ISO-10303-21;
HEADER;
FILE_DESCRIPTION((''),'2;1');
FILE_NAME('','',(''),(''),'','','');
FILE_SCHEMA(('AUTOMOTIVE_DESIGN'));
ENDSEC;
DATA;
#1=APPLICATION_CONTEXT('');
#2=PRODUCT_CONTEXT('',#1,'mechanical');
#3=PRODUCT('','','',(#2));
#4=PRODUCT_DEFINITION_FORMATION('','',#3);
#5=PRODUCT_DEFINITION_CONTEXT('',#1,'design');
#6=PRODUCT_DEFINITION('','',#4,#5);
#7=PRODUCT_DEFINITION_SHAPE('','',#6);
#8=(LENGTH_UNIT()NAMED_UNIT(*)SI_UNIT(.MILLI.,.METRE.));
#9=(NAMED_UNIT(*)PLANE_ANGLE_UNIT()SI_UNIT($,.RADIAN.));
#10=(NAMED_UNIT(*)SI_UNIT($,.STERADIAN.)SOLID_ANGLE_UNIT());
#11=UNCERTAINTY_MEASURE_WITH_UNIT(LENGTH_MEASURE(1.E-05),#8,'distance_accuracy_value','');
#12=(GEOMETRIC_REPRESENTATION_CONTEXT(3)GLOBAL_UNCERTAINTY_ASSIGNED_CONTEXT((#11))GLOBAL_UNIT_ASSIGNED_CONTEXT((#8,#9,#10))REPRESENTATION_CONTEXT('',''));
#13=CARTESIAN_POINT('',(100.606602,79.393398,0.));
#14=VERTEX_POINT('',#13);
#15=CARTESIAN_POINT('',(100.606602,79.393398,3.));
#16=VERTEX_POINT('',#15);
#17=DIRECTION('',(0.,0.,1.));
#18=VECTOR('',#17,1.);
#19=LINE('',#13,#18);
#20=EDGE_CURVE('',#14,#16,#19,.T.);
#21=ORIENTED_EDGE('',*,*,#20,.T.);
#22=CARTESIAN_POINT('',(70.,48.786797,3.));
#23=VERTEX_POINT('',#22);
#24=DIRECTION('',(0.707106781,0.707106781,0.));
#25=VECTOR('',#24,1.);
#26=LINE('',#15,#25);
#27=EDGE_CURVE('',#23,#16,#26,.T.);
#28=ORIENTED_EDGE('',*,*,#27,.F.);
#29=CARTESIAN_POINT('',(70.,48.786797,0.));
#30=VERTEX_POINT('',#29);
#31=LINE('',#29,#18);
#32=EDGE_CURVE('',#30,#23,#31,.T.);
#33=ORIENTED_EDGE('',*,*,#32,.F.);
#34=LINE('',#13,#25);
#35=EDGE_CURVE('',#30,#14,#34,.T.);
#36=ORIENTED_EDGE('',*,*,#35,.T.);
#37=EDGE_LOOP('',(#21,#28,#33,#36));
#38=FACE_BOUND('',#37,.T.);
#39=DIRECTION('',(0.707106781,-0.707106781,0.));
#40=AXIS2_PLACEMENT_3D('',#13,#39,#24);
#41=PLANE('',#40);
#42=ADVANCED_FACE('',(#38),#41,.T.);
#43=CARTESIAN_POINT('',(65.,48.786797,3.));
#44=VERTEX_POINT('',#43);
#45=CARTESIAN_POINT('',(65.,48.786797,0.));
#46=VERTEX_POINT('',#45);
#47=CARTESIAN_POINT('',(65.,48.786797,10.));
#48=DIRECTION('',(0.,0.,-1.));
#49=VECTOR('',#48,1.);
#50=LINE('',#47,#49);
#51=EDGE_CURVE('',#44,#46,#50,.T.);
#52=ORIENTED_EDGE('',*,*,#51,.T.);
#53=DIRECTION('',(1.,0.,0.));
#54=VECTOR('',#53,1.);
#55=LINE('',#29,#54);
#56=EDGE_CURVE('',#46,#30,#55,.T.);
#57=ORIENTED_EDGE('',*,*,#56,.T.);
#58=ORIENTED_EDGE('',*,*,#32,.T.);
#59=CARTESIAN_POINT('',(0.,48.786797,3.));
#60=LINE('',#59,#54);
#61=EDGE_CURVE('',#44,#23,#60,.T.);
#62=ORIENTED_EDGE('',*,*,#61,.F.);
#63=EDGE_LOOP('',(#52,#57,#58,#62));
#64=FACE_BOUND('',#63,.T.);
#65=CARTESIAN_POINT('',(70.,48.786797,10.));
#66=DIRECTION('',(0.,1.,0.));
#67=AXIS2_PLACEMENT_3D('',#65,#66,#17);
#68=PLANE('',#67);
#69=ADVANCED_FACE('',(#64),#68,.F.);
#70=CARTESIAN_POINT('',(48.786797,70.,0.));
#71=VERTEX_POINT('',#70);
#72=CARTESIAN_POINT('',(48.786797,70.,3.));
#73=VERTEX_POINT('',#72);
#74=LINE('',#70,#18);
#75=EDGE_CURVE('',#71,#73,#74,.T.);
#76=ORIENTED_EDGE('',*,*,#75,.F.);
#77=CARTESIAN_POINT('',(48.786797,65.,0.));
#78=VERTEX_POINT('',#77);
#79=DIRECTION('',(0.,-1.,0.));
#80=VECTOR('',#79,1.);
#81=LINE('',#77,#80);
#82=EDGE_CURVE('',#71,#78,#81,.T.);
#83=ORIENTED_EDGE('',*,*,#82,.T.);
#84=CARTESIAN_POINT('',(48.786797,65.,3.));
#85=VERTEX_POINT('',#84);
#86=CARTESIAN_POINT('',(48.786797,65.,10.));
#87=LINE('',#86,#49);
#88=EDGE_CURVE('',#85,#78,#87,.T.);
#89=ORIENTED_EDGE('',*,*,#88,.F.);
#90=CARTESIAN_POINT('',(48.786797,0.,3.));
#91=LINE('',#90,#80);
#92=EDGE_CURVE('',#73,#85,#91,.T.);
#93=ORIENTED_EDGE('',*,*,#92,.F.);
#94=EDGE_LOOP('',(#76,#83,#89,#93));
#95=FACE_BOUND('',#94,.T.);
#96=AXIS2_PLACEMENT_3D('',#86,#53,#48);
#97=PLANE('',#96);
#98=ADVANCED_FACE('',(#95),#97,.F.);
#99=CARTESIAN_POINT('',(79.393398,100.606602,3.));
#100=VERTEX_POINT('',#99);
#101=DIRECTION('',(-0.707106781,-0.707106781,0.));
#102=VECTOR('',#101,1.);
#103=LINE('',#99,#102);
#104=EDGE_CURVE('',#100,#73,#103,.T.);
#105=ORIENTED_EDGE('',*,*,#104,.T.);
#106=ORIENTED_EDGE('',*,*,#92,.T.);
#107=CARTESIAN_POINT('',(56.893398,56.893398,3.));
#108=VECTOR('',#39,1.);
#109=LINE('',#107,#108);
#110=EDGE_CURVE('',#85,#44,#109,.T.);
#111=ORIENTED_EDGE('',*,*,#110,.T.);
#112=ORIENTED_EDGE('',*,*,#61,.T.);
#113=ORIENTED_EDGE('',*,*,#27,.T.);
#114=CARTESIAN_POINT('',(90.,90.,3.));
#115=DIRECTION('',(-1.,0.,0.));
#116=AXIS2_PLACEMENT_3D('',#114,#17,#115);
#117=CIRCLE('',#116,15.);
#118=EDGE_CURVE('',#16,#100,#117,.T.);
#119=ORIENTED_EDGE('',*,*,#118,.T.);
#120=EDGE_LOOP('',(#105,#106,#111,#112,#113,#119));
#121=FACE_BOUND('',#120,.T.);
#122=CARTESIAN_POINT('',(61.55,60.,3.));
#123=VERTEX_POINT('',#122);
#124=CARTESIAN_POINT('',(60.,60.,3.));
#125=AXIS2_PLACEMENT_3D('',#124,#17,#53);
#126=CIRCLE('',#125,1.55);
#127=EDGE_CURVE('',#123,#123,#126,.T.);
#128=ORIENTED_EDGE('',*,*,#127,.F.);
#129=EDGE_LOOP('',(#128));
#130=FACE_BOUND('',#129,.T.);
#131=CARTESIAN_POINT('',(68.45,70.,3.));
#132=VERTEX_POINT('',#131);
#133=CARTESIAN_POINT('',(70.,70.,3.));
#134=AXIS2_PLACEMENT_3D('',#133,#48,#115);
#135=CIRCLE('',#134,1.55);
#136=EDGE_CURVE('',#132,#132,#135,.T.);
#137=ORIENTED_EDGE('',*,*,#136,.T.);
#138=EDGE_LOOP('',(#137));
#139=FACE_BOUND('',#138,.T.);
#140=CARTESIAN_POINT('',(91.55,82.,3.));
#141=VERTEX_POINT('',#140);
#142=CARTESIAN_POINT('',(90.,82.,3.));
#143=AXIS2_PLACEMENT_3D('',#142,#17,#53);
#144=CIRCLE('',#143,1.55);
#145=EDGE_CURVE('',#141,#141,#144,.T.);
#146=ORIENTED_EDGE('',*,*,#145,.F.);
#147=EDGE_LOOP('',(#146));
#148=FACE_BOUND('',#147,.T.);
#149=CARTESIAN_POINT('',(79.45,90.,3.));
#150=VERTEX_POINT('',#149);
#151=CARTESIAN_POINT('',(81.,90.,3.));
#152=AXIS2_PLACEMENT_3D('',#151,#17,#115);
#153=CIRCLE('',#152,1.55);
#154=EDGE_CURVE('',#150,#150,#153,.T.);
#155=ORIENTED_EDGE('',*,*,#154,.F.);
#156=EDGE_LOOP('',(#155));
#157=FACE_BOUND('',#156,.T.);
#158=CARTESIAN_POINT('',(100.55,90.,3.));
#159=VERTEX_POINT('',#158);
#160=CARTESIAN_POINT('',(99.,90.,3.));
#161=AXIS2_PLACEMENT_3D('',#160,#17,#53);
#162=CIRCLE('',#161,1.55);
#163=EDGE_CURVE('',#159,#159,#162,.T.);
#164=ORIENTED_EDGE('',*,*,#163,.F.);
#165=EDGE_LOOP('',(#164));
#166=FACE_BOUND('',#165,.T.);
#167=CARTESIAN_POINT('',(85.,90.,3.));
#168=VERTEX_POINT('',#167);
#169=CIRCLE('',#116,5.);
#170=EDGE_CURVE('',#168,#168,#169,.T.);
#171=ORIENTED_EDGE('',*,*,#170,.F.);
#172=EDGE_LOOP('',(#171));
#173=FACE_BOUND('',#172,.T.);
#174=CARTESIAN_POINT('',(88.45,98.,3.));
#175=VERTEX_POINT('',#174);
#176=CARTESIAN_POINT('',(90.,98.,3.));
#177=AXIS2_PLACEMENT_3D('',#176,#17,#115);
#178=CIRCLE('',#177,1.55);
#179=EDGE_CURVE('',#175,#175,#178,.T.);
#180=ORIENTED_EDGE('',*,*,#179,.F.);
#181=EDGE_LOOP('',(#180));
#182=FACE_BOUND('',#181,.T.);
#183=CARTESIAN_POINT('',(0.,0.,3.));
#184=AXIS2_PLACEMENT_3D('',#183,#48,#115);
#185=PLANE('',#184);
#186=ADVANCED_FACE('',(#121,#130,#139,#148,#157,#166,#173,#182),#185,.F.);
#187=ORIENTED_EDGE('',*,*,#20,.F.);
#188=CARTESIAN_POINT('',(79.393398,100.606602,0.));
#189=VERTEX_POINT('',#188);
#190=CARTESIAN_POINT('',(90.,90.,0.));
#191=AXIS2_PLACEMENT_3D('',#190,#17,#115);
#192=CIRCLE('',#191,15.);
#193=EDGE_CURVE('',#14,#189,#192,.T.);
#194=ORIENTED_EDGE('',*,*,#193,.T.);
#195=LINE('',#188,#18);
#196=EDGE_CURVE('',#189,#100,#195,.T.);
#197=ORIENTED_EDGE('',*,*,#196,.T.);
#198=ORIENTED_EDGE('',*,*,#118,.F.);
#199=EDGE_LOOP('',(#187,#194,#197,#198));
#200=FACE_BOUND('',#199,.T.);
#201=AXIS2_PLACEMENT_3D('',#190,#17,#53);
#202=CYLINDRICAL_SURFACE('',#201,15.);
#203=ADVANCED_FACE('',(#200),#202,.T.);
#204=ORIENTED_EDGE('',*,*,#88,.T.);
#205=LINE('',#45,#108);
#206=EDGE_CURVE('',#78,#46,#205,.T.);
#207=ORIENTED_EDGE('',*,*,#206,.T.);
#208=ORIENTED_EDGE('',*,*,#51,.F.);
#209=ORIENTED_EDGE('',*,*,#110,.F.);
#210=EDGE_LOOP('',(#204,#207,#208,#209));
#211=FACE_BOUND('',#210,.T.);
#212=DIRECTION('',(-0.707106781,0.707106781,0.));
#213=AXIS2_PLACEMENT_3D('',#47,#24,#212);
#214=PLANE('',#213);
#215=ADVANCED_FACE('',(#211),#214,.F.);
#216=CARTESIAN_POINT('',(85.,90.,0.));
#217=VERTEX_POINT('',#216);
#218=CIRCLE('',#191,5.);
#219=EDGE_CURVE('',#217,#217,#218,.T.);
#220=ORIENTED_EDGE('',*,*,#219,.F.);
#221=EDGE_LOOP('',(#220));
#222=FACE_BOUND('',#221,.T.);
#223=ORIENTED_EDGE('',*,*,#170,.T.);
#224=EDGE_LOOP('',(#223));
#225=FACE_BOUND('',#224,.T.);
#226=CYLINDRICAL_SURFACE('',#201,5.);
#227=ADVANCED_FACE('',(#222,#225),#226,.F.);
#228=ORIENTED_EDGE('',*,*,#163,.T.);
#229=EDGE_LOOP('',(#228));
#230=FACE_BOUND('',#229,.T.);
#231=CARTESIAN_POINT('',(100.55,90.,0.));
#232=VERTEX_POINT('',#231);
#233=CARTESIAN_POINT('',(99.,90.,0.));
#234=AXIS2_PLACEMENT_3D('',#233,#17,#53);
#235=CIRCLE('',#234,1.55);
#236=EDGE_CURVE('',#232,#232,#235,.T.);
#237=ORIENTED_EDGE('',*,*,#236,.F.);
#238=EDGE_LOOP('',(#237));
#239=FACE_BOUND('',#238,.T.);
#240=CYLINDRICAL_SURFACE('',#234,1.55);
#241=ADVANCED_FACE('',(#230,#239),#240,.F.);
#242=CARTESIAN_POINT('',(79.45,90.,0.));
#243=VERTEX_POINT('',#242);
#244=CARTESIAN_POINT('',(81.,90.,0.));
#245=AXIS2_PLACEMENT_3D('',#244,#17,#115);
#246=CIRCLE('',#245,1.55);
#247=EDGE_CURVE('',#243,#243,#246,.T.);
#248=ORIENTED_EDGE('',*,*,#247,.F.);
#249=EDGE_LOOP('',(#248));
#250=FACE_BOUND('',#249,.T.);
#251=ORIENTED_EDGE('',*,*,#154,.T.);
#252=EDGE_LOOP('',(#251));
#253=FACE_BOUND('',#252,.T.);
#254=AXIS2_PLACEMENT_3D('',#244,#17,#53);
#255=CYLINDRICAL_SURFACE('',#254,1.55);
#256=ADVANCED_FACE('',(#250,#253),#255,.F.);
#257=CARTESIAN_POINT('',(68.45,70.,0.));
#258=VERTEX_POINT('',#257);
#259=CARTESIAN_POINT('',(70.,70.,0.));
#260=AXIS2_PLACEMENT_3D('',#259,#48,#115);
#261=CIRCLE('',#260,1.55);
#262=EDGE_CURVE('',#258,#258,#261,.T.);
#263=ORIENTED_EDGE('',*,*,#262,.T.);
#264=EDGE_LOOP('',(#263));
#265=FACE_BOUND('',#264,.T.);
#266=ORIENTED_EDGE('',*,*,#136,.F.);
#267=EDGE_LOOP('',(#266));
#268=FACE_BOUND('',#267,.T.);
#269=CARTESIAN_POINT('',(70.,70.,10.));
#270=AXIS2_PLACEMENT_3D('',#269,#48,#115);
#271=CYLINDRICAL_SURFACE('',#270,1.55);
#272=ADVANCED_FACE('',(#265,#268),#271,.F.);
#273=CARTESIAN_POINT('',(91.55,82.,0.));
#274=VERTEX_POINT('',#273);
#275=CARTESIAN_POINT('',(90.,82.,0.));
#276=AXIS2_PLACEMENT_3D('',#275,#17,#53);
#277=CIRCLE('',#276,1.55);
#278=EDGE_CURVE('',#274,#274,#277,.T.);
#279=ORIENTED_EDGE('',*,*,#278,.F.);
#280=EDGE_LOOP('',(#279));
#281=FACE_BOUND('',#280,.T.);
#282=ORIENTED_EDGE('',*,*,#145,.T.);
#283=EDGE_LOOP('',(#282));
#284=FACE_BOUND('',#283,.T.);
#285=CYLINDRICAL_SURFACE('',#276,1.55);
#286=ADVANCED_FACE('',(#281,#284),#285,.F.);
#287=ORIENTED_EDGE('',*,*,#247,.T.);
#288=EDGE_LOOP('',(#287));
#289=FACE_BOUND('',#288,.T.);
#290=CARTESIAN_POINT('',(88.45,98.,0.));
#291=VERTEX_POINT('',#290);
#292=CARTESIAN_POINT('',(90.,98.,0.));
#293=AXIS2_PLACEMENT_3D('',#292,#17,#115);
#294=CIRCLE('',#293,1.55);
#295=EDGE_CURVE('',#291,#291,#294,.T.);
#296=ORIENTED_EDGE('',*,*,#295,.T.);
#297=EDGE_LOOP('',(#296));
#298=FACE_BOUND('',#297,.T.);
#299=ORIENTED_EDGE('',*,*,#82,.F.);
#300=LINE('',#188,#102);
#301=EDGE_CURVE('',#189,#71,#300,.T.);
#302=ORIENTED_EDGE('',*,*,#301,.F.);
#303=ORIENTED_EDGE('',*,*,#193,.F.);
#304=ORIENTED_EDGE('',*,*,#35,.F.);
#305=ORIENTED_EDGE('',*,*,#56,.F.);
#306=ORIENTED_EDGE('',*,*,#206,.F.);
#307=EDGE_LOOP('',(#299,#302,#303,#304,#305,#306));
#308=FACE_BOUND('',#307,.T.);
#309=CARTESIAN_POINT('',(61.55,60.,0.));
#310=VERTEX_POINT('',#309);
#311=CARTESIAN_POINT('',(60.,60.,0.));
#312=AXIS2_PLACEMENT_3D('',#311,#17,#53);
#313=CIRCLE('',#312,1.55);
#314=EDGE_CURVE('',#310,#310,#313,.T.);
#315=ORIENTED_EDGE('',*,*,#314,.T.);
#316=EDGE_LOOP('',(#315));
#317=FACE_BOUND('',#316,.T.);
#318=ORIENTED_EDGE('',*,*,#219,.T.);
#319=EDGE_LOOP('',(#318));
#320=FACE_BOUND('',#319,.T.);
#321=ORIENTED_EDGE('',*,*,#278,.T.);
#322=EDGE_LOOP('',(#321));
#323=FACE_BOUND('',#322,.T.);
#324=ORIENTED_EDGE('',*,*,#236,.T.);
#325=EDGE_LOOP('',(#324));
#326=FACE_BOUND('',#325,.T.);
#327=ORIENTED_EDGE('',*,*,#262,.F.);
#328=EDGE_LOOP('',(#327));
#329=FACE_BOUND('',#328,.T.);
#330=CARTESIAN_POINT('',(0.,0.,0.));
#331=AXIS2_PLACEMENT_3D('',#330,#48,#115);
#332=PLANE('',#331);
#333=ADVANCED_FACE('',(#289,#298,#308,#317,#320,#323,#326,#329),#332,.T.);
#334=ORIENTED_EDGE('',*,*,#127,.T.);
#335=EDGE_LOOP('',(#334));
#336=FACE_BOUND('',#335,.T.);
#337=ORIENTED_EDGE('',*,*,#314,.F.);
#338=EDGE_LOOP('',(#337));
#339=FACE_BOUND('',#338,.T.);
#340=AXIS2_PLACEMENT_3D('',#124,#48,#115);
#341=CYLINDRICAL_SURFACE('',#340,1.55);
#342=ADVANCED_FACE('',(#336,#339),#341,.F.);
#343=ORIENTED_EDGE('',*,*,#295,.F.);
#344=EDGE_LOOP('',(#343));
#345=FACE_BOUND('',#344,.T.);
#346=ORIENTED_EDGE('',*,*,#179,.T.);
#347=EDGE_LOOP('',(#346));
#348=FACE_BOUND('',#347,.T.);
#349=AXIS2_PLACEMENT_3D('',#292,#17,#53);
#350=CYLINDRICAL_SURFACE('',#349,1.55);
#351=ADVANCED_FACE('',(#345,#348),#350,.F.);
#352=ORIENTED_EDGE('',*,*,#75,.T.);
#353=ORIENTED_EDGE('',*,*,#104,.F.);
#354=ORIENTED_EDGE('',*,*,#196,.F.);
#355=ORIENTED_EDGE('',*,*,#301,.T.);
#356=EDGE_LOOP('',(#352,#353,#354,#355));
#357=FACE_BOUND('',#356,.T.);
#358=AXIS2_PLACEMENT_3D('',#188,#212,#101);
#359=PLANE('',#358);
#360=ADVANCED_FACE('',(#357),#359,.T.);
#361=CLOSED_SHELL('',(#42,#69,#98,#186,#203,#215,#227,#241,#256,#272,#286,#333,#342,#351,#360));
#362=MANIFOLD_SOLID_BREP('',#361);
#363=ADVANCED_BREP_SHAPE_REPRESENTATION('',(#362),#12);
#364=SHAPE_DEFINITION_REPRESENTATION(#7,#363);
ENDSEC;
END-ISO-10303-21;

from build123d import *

# Parameters (mm, degrees)
SKETCH_1_W          = 140
SKETCH_1_H          = 140
SKETCH_1_R          = 1.55
EXTRUDE_1_DEPTH     = 3
SKETCH_2_R          = 1.55
SKETCH_2_W          = 3
SKETCH_2_H          = 25
CUT_EXTRUDE_1_DEPTH = 100.040395799
SKETCH_3_R          = 5
SKETCH_3_R_2        = 1.55
EXTRUDE_2_DEPTH     = 3
CUT_EXTRUDE_START   = -10
SKETCH_4_R          = 1.55
CUT_EXTRUDE_2_DEPTH = 10


with BuildPart() as part:
    # 草圖1 → 填料-伸長1 (new body)
    with BuildSketch(Plane.XY):
        Rectangle(SKETCH_1_W, SKETCH_1_H)
        with Locations((-60, 60)):
            Circle(SKETCH_1_R, mode=Mode.SUBTRACT)
        with Locations((60, 60)):
            Circle(SKETCH_1_R, mode=Mode.SUBTRACT)
        with Locations((60, -60)):
            Circle(SKETCH_1_R, mode=Mode.SUBTRACT)
        with Locations((-60, -60)):
            Circle(SKETCH_1_R, mode=Mode.SUBTRACT)
    extrude(amount=EXTRUDE_1_DEPTH)

    # 草圖2 → 除料-伸長1 (cut, through all)
    with BuildSketch(Plane.XY.offset(3)):
        with Locations((-12.25, 62.5)):
            Circle(SKETCH_2_R)
        with Locations((12.25, 62.5)):
            Circle(SKETCH_2_R)
        with Locations((-12.25, 7.5)):
            Circle(SKETCH_2_R)
        with Locations((12.25, 7.5)):
            Circle(SKETCH_2_R)
        with Locations((-60, -30)):
            Rectangle(SKETCH_2_W, SKETCH_2_H)
        with Locations((-60, 30)):
            Rectangle(SKETCH_2_W, SKETCH_2_H)
        with Locations((-20, -30)):
            Rectangle(SKETCH_2_W, SKETCH_2_H)
        with Locations((-20, 30)):
            Rectangle(SKETCH_2_W, SKETCH_2_H)
        with Locations((20, 30)):
            Rectangle(SKETCH_2_W, SKETCH_2_H)
        with Locations((20, -30)):
            Rectangle(SKETCH_2_W, SKETCH_2_H)
        with Locations((60, -30)):
            Rectangle(SKETCH_2_W, SKETCH_2_H)
        with Locations((60, 30)):
            Rectangle(SKETCH_2_W, SKETCH_2_H)
    extrude(amount=-CUT_EXTRUDE_1_DEPTH, mode=Mode.SUBTRACT)

    # 草圖3 → 填料-伸長2 (add)
    # profile 1 of 4: a face of its own
    with BuildSketch(Plane.XY.offset(3)):
        with BuildLine():
            Line((-79.393398282, 100.606601718), (-48.786796564, 70))
            Line((-48.786796564, 70), (-70, 70))
            Line((-70, 70), (-70, 48.786796564))
            Line((-70, 48.786796564), (-100.606601718, 79.393398282))
            ThreePointArc((-100.606601718, 79.393398282), (-100.606601718, 100.606601718), (-79.393398282, 100.606601718))
        make_face()
        with Locations((-90, 90)):
            Circle(SKETCH_3_R, mode=Mode.SUBTRACT)
        with Locations((-81, 90)):
            Circle(SKETCH_3_R_2, mode=Mode.SUBTRACT)
        with Locations((-90, 98)):
            Circle(SKETCH_3_R_2, mode=Mode.SUBTRACT)
        with Locations(Location((-99, 90, 0), (0, 0, 180))):
            Circle(SKETCH_3_R_2, mode=Mode.SUBTRACT)
        with Locations(Location((-90, 82, 0), (0, 0, 180))):
            Circle(SKETCH_3_R_2, mode=Mode.SUBTRACT)
    # profile 2 of 4: a face of its own
    with BuildSketch(Plane.XY.offset(3)):
        with BuildLine():
            Line((48.786796564, 70), (70, 70))
            Line((70, 70), (70, 48.786796564))
            Line((70, 48.786796564), (100.606601718, 79.393398282))
            ThreePointArc((100.606601718, 79.393398282), (100.606601718, 100.606601718), (79.393398282, 100.606601718))
            Line((79.393398282, 100.606601718), (48.786796564, 70))
        make_face()
        with Locations(Location((81, 90, 0), (0, 0, 180))):
            Circle(SKETCH_3_R_2, mode=Mode.SUBTRACT)
        with Locations(Location((90, 90, 0), (0, 0, 180))):
            Circle(SKETCH_3_R, mode=Mode.SUBTRACT)
        with Locations((90, 82)):
            Circle(SKETCH_3_R_2, mode=Mode.SUBTRACT)
        with Locations(Location((90, 98, 0), (0, 0, 180))):
            Circle(SKETCH_3_R_2, mode=Mode.SUBTRACT)
        with Locations((99, 90)):
            Circle(SKETCH_3_R_2, mode=Mode.SUBTRACT)
    # profile 3 of 4: a face of its own
    with BuildSketch(Plane.XY.offset(3)):
        with BuildLine():
            Line((-48.786796564, -70), (-70, -70))
            Line((-70, -70), (-70, -48.786796564))
            Line((-70, -48.786796564), (-100.606601718, -79.393398282))
            ThreePointArc((-100.606601718, -79.393398282), (-100.606601718, -100.606601718), (-79.393398282, -100.606601718))
            Line((-79.393398282, -100.606601718), (-48.786796564, -70))
        make_face()
        with Locations((-90, -82)):
            Circle(SKETCH_3_R_2, mode=Mode.SUBTRACT)
        with Locations(Location((-90, -90, 0), (0, 0, 180))):
            Circle(SKETCH_3_R, mode=Mode.SUBTRACT)
        with Locations(Location((-81, -90, 0), (0, 0, 180))):
            Circle(SKETCH_3_R_2, mode=Mode.SUBTRACT)
        with Locations(Location((-90, -98, 0), (0, 0, 180))):
            Circle(SKETCH_3_R_2, mode=Mode.SUBTRACT)
        with Locations((-99, -90)):
            Circle(SKETCH_3_R_2, mode=Mode.SUBTRACT)
    # profile 4 of 4: a face of its own
    with BuildSketch(Plane.XY.offset(3)):
        with BuildLine():
            Line((79.393398282, -100.606601718), (48.786796564, -70))
            Line((48.786796564, -70), (70, -70))
            Line((70, -70), (70, -48.786796564))
            Line((70, -48.786796564), (100.606601718, -79.393398282))
            ThreePointArc((100.606601718, -79.393398282), (100.606601718, -100.606601718), (79.393398282, -100.606601718))
        make_face()
        with Locations(Location((90, -82, 0), (0, 0, 180))):
            Circle(SKETCH_3_R_2, mode=Mode.SUBTRACT)
        with Locations((90, -90)):
            Circle(SKETCH_3_R, mode=Mode.SUBTRACT)
        with Locations((81, -90)):
            Circle(SKETCH_3_R_2, mode=Mode.SUBTRACT)
        with Locations((90, -98)):
            Circle(SKETCH_3_R_2, mode=Mode.SUBTRACT)
        with Locations(Location((99, -90, 0), (0, 0, 180))):
            Circle(SKETCH_3_R_2, mode=Mode.SUBTRACT)
    extrude(amount=-EXTRUDE_2_DEPTH)

    # 草圖4 → 除料-伸長2 (cut)
    with BuildSketch(Plane(origin=(0, 0, 0), x_dir=(-1, 0, 0), z_dir=(0, 0, -1)).offset(CUT_EXTRUDE_START)):
        with Locations((-70, 70)):
            Circle(SKETCH_4_R)
        with BuildLine():
            Line((-70, 48.786796564), (-65, 48.786796564))
            Line((-65, 48.786796564), (-48.786796564, 65))
            Line((-48.786796564, 65), (-48.786796564, 70))
            Line((-48.786796564, 70), (48.786796564, 70))
            Line((48.786796564, 70), (79.393398282, 100.606601718))
            ThreePointArc((79.393398282, 100.606601718), (100.606601718, 100.606601718), (100.606601718, 79.393398282))
            Line((100.606601718, 79.393398282), (70, 48.786796564))
            Line((70, 48.786796564), (70, -48.786796564))
            Line((70, -48.786796564), (100.606601718, -79.393398282))
            ThreePointArc((100.606601718, -79.393398282), (100.606601718, -100.606601718), (79.393398282, -100.606601718))
            Line((79.393398282, -100.606601718), (48.786796564, -70))
            Line((48.786796564, -70), (-48.786796564, -70))
            Line((-48.786796564, -70), (-79.393398282, -100.606601718))
            ThreePointArc((-79.393398282, -100.606601718), (-100.606601718, -100.606601718), (-100.606601718, -79.393398282))
            Line((-100.606601718, -79.393398282), (-70, -48.786796564))
            Line((-70, -48.786796564), (-70, 48.786796564))
        make_face()
    extrude(amount=CUT_EXTRUDE_2_DEPTH, mode=Mode.SUBTRACT)


solid = part.part
